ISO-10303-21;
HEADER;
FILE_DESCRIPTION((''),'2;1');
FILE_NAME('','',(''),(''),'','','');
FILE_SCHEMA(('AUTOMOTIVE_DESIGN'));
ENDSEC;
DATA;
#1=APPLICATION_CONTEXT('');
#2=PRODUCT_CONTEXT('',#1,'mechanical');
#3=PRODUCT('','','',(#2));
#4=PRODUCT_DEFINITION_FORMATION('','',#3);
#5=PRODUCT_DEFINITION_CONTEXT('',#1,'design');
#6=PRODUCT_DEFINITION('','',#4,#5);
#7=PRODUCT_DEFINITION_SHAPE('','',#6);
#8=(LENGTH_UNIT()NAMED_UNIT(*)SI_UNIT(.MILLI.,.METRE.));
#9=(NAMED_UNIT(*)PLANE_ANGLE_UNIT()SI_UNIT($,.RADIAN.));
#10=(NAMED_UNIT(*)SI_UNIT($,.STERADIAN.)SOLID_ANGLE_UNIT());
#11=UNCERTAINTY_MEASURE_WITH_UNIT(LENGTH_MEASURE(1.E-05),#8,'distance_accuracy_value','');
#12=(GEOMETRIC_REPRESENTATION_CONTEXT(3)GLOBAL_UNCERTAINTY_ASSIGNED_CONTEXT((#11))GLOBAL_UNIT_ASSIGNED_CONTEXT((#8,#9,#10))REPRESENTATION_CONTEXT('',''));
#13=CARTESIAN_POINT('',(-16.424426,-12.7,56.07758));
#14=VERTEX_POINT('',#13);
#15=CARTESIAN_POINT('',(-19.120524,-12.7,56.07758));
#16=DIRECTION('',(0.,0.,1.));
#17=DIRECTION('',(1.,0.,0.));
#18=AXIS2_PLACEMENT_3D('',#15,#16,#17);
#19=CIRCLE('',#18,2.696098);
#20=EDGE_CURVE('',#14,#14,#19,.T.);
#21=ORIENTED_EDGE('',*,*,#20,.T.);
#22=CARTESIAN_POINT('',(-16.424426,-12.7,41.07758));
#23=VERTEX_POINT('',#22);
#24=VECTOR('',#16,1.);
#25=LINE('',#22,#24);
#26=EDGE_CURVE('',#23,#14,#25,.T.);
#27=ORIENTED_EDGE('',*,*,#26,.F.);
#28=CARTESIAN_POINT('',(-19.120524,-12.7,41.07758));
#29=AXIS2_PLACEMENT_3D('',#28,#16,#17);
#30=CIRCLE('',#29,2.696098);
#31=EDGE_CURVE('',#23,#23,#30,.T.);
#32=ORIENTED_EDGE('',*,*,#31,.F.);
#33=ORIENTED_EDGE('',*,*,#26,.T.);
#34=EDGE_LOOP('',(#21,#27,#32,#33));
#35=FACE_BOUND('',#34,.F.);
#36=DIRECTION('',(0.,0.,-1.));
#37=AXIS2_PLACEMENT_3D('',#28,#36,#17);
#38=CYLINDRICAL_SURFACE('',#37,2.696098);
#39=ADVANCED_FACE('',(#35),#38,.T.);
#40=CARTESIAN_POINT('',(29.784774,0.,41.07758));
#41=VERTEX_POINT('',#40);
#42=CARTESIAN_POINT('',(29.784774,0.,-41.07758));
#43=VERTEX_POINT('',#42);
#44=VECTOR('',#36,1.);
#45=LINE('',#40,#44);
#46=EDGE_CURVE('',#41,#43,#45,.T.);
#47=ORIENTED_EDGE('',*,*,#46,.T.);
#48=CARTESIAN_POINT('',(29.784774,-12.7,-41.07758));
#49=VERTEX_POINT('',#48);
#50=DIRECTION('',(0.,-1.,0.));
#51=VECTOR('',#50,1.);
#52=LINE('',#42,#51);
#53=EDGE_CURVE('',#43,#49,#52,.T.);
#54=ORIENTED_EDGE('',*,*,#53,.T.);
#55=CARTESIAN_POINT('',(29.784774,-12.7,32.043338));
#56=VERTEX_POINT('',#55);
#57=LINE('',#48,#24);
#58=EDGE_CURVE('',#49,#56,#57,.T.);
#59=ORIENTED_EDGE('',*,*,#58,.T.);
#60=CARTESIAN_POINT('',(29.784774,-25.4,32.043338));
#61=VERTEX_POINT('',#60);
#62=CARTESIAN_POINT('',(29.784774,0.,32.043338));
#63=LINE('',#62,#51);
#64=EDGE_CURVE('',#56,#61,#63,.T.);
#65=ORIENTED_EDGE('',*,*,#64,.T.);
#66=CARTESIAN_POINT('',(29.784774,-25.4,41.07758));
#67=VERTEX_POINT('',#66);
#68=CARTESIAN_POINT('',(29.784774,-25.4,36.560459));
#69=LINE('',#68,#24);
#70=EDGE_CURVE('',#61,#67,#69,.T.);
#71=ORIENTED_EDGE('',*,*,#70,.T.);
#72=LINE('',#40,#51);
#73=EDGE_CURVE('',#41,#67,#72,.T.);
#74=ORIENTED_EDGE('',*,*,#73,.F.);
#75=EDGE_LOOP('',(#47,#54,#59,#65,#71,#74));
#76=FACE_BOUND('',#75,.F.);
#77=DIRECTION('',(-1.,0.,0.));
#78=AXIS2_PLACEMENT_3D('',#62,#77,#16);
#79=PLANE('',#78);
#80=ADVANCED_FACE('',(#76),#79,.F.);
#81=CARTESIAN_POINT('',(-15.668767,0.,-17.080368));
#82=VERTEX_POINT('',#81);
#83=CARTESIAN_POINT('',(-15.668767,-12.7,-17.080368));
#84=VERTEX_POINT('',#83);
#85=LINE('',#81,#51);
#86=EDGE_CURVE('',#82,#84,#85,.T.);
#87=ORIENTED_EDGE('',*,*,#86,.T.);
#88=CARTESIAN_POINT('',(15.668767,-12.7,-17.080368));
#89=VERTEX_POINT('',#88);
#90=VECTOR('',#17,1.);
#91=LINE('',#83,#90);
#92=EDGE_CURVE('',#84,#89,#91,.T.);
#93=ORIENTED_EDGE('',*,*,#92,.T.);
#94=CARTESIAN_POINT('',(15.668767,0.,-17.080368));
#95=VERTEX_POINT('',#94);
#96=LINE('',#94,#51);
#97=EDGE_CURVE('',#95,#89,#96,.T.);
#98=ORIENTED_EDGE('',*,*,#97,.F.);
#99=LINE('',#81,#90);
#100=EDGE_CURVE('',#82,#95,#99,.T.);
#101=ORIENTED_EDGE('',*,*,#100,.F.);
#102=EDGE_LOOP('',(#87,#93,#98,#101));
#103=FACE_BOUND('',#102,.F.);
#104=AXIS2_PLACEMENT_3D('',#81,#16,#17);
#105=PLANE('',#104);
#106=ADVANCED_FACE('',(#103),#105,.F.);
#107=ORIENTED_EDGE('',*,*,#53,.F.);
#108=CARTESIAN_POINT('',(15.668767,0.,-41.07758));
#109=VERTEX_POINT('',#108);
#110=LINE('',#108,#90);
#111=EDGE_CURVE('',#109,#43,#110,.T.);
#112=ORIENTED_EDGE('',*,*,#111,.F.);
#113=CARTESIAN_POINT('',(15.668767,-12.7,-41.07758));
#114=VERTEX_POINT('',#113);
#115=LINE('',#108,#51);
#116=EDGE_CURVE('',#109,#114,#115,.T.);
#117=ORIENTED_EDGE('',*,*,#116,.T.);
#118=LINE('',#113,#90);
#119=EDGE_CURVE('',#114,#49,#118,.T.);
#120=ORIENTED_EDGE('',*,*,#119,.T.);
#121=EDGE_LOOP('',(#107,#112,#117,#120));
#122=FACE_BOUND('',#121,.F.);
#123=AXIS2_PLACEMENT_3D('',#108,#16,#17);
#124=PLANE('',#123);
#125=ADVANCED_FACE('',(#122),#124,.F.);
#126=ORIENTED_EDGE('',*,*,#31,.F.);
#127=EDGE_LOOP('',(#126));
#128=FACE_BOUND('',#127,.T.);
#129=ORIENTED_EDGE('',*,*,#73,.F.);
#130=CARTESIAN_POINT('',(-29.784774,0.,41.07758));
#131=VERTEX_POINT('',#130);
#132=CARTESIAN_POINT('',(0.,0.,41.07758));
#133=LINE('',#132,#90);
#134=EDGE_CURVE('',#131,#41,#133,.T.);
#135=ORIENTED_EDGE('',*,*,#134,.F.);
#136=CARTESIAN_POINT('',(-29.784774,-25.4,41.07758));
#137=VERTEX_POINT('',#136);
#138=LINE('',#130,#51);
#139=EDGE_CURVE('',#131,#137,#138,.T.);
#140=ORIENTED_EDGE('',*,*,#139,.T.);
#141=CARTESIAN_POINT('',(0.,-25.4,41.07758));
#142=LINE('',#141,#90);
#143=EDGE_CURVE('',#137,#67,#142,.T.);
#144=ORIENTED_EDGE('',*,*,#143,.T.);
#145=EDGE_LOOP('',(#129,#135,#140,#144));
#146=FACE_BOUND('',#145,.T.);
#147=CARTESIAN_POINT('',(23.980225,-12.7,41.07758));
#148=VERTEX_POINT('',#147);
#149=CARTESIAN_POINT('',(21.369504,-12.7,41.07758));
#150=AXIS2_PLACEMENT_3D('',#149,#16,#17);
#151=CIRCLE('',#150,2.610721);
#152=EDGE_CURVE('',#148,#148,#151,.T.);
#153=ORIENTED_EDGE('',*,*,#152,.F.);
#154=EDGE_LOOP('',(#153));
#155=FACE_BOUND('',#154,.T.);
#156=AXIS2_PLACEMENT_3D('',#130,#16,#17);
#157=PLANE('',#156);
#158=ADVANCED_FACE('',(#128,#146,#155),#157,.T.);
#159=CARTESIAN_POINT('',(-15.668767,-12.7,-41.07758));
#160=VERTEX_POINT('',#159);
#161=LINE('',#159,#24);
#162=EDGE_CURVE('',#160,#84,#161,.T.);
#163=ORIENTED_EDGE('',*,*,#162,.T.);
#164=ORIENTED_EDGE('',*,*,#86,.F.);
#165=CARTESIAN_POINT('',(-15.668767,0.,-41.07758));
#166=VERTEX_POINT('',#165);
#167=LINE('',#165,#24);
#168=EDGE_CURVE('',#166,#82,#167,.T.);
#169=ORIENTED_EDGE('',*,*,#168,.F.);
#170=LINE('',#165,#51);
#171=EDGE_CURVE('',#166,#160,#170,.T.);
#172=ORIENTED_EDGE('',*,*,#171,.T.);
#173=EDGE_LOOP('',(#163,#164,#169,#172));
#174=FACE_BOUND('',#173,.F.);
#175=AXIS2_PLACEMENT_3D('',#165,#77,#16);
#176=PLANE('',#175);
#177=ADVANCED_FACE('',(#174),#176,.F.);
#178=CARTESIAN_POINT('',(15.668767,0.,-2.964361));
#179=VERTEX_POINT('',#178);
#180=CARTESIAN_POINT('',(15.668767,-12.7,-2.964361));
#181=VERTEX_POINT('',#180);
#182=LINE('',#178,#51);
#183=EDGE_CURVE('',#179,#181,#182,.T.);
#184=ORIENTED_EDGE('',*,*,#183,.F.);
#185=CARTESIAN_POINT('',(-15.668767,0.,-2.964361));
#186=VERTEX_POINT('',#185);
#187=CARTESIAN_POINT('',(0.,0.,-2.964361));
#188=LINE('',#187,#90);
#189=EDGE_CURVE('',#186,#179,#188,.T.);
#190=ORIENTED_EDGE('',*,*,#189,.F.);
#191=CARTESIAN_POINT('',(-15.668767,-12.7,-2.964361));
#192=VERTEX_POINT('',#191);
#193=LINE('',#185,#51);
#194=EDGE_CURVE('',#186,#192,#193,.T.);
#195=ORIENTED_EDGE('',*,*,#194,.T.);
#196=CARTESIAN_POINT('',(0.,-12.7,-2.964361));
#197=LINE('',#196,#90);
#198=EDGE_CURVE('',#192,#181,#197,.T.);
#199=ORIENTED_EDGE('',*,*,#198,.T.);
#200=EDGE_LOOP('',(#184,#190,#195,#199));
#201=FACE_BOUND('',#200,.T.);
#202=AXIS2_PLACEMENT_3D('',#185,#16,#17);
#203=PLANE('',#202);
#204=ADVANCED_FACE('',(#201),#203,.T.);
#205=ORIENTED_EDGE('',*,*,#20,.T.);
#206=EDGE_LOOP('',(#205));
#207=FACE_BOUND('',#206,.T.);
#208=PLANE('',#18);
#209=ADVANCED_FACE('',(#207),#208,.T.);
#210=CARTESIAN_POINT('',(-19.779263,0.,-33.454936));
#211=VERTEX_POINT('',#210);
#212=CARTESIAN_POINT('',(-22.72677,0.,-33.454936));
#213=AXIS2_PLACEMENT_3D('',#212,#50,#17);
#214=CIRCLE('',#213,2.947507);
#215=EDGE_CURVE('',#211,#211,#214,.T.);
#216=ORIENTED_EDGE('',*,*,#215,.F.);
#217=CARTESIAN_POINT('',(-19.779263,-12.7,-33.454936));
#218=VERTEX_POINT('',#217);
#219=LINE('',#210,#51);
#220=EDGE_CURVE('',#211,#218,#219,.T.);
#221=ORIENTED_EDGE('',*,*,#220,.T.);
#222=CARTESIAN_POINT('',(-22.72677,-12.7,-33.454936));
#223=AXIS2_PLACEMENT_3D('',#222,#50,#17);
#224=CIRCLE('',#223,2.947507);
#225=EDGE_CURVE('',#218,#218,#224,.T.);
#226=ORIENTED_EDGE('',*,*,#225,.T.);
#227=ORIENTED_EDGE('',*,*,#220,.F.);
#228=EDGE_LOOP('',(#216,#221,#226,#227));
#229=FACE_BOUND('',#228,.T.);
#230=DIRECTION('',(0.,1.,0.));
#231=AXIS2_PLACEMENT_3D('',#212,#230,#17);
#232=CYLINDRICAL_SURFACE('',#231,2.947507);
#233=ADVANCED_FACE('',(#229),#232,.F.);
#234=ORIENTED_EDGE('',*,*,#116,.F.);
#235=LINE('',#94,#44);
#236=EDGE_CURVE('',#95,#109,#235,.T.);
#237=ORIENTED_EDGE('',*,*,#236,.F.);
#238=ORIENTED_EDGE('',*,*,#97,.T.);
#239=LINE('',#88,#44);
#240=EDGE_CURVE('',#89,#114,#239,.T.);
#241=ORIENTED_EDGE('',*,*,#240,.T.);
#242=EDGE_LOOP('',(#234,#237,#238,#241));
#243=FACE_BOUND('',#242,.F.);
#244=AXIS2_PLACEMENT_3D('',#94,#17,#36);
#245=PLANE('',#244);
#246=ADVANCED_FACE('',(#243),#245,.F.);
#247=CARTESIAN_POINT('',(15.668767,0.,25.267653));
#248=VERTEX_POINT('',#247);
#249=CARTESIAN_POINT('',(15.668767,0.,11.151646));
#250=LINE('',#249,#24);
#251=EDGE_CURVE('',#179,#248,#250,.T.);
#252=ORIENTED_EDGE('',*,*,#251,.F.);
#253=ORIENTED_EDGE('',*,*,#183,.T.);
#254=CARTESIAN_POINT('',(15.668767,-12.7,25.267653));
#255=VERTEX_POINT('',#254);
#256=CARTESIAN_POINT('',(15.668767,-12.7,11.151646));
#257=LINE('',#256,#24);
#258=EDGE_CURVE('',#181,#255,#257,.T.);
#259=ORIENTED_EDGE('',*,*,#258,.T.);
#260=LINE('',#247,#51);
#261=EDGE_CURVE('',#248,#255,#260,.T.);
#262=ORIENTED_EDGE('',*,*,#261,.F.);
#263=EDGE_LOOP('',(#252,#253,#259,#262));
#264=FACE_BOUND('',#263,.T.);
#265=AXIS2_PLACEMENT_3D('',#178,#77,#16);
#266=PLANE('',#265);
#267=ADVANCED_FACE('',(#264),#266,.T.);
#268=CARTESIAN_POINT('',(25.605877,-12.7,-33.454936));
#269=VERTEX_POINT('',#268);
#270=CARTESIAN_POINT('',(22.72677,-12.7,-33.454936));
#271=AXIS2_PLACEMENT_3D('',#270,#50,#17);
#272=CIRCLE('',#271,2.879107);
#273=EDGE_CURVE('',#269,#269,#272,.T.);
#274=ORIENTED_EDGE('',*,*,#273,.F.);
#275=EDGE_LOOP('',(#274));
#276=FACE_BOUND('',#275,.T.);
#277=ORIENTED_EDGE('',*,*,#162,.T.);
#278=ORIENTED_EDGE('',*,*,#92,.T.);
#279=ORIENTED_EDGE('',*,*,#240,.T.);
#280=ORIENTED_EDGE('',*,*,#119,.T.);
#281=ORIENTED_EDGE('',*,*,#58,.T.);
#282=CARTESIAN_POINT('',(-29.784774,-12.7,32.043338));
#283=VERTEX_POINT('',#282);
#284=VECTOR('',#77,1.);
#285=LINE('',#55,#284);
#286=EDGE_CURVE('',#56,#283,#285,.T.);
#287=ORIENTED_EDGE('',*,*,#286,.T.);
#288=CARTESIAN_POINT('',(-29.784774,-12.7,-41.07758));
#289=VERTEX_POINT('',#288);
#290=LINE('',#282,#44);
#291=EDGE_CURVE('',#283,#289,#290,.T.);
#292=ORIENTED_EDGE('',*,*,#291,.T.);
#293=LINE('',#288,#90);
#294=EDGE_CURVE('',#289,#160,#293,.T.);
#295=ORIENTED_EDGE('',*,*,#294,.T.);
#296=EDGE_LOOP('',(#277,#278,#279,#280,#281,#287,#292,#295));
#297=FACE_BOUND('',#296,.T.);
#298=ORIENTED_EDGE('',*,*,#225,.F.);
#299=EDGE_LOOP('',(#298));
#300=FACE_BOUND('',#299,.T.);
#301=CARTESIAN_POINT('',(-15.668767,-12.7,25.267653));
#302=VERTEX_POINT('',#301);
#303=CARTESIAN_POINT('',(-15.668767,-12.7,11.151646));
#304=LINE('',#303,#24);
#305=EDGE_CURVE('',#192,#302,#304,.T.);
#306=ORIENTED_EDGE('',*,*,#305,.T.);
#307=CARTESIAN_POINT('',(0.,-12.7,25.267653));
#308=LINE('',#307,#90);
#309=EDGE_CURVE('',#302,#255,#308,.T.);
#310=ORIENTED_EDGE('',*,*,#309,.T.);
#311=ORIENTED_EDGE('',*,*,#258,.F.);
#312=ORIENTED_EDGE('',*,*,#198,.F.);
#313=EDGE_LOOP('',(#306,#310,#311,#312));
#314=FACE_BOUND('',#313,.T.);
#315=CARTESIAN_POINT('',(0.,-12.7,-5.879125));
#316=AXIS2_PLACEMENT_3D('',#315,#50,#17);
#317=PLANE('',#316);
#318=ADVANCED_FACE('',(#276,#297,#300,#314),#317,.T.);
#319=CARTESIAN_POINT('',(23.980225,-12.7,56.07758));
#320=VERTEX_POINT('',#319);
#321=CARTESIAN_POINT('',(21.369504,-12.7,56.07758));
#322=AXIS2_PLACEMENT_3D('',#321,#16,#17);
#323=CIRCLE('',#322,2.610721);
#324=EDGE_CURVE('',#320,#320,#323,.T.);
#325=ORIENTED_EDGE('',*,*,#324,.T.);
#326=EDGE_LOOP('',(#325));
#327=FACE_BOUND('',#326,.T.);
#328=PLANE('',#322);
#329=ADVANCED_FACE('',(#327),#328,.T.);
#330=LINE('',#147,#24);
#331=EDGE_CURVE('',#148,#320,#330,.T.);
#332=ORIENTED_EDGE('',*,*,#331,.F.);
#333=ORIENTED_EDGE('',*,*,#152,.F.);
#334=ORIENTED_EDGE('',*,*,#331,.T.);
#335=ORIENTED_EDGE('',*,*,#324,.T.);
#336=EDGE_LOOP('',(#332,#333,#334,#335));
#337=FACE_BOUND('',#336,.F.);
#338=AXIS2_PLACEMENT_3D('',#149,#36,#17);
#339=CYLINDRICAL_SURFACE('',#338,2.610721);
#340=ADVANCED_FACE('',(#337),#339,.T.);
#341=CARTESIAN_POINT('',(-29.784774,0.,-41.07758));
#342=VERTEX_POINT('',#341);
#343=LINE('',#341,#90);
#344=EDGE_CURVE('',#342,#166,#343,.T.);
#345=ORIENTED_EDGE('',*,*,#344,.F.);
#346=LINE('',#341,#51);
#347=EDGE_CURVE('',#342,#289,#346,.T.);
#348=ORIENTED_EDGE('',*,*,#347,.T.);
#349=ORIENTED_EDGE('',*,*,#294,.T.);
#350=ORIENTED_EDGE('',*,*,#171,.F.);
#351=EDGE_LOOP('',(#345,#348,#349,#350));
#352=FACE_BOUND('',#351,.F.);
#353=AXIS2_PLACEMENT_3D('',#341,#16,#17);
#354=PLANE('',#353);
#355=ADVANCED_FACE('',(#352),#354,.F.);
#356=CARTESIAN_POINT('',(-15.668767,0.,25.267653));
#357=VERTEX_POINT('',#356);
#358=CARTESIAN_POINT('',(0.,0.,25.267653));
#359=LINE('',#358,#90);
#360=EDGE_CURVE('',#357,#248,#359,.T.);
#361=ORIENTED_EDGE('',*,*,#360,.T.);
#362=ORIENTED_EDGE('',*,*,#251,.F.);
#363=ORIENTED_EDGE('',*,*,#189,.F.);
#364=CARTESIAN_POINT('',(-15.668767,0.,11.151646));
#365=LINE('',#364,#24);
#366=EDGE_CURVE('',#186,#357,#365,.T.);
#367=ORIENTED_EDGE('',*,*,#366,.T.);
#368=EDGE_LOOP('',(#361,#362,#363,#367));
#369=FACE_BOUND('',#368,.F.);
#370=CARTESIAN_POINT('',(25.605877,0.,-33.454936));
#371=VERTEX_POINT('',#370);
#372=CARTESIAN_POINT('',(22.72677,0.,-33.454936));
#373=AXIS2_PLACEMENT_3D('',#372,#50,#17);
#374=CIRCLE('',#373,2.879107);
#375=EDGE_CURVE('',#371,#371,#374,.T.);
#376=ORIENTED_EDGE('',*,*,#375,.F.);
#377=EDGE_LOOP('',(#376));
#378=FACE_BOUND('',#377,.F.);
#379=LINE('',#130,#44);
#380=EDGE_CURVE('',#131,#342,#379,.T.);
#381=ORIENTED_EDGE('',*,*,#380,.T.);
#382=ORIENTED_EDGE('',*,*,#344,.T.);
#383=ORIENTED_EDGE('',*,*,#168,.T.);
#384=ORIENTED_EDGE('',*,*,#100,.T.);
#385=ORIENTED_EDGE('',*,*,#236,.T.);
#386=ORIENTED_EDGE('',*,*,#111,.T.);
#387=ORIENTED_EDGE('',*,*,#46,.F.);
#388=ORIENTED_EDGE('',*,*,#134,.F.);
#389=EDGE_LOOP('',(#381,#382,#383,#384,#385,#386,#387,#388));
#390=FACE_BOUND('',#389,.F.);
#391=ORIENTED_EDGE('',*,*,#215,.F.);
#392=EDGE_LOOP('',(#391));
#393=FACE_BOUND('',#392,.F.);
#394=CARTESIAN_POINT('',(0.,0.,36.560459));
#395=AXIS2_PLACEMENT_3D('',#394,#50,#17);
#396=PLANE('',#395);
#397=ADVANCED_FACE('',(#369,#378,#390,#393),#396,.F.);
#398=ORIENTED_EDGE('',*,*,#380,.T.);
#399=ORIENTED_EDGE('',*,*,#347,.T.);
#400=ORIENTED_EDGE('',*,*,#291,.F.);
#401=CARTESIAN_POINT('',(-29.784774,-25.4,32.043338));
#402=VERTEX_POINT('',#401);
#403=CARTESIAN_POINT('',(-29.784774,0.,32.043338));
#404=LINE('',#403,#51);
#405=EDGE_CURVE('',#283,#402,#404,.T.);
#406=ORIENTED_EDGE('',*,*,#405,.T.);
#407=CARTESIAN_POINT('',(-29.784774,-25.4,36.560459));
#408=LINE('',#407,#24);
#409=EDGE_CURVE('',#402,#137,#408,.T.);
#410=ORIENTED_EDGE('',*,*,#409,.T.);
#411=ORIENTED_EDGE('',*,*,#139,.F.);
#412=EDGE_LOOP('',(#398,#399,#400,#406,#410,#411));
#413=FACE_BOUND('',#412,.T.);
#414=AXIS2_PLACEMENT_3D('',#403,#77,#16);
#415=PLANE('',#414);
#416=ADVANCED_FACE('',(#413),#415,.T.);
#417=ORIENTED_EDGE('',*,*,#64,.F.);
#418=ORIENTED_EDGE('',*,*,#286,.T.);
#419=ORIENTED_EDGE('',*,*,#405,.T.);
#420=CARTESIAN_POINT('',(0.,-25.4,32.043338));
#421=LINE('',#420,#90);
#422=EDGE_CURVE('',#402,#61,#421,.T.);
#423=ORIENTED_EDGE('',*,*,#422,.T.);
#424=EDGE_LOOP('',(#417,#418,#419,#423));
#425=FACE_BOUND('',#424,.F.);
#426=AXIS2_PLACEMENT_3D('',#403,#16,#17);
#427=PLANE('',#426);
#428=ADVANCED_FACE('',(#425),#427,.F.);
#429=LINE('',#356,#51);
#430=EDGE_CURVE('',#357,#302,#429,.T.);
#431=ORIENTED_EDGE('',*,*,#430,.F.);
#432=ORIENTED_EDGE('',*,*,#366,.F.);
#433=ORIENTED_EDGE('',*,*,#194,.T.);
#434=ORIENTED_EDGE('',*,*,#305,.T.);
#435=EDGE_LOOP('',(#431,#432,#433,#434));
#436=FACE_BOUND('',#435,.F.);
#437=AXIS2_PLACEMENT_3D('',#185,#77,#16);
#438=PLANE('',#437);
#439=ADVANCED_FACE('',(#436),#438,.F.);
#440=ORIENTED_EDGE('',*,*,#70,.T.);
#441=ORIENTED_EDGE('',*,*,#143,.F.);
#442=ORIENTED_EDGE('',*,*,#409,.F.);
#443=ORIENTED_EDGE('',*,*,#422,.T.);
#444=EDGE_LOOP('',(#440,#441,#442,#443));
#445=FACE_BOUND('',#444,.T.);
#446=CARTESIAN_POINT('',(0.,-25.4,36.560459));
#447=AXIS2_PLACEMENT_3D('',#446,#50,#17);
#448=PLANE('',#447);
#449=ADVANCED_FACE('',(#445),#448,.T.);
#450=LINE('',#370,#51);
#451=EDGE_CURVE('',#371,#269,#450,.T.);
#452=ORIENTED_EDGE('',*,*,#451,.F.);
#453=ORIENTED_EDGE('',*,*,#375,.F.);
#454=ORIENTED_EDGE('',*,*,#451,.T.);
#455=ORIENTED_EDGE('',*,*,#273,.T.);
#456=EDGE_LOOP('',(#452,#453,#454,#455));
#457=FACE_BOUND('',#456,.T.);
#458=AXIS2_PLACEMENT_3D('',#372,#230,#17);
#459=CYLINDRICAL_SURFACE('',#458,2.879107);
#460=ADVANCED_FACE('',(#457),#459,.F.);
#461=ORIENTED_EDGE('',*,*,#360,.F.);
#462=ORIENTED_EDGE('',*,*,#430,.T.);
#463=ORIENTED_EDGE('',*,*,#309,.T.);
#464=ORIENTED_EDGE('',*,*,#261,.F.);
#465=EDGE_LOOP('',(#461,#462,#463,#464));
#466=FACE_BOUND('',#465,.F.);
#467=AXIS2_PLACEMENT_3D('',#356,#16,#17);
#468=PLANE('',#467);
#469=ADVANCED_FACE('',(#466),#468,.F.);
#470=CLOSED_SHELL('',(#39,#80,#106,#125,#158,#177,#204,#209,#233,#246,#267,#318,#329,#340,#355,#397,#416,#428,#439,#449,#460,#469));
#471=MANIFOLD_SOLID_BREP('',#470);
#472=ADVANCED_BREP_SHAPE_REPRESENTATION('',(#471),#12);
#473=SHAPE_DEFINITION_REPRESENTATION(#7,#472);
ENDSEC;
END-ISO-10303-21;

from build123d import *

# Parameters (mm, degrees)
F0_R     = 2.947507
F0_R_2   = 2.879107
F0_W     = 31.337534
F0_H     = 28.232014
F1_DEPTH = 12.7
F0_W_2   = 59.569548
F0_H_2   = 9.034242
F2_DEPTH = 25.4
F3_R     = 2.696098
F4_DEPTH = 15
F3_R_2   = 2.610721
F5_DEPTH = 15


with BuildPart() as f1:
    # F0 (on Front) → F1 (new body)
    with BuildSketch(Plane.XZ):
        Polygon((29.784774, 32.043338), (-29.784774, 32.043338), (-29.784774, -41.07758), (-15.668767, -41.07758), (-15.668767, -17.080368), (15.668767, -17.080368), (15.668767, -41.07758), (29.784774, -41.07758), align=None)
        with Locations((-22.72677, -33.454936)):
            Circle(F0_R, mode=Mode.SUBTRACT)
        with Locations((22.72677, -33.454936)):
            Circle(F0_R_2, mode=Mode.SUBTRACT)
        with Locations((0, 11.151646)):
            Rectangle(F0_W, F0_H, mode=Mode.SUBTRACT)
    extrude(amount=F1_DEPTH)

    # F0 (on Front) → F2 (join)
    with BuildSketch(Plane.XZ):
        with Locations((0, 36.560459)):
            Rectangle(F0_W_2, F0_H_2)
    extrude(amount=F2_DEPTH)

    # F3 (on face) → F4 (join)
    with BuildSketch(Plane.XY.offset(41.07758)):
        with Locations((-19.120524, -12.7)):
            Circle(F3_R)
    extrude(amount=F4_DEPTH)

    # F3 (on face) → F5 (join)
    with BuildSketch(Plane.XY.offset(41.07758)):
        with Locations((21.369504, -12.7)):
            Circle(F3_R_2)
    extrude(amount=F5_DEPTH)


solid = f1.part
